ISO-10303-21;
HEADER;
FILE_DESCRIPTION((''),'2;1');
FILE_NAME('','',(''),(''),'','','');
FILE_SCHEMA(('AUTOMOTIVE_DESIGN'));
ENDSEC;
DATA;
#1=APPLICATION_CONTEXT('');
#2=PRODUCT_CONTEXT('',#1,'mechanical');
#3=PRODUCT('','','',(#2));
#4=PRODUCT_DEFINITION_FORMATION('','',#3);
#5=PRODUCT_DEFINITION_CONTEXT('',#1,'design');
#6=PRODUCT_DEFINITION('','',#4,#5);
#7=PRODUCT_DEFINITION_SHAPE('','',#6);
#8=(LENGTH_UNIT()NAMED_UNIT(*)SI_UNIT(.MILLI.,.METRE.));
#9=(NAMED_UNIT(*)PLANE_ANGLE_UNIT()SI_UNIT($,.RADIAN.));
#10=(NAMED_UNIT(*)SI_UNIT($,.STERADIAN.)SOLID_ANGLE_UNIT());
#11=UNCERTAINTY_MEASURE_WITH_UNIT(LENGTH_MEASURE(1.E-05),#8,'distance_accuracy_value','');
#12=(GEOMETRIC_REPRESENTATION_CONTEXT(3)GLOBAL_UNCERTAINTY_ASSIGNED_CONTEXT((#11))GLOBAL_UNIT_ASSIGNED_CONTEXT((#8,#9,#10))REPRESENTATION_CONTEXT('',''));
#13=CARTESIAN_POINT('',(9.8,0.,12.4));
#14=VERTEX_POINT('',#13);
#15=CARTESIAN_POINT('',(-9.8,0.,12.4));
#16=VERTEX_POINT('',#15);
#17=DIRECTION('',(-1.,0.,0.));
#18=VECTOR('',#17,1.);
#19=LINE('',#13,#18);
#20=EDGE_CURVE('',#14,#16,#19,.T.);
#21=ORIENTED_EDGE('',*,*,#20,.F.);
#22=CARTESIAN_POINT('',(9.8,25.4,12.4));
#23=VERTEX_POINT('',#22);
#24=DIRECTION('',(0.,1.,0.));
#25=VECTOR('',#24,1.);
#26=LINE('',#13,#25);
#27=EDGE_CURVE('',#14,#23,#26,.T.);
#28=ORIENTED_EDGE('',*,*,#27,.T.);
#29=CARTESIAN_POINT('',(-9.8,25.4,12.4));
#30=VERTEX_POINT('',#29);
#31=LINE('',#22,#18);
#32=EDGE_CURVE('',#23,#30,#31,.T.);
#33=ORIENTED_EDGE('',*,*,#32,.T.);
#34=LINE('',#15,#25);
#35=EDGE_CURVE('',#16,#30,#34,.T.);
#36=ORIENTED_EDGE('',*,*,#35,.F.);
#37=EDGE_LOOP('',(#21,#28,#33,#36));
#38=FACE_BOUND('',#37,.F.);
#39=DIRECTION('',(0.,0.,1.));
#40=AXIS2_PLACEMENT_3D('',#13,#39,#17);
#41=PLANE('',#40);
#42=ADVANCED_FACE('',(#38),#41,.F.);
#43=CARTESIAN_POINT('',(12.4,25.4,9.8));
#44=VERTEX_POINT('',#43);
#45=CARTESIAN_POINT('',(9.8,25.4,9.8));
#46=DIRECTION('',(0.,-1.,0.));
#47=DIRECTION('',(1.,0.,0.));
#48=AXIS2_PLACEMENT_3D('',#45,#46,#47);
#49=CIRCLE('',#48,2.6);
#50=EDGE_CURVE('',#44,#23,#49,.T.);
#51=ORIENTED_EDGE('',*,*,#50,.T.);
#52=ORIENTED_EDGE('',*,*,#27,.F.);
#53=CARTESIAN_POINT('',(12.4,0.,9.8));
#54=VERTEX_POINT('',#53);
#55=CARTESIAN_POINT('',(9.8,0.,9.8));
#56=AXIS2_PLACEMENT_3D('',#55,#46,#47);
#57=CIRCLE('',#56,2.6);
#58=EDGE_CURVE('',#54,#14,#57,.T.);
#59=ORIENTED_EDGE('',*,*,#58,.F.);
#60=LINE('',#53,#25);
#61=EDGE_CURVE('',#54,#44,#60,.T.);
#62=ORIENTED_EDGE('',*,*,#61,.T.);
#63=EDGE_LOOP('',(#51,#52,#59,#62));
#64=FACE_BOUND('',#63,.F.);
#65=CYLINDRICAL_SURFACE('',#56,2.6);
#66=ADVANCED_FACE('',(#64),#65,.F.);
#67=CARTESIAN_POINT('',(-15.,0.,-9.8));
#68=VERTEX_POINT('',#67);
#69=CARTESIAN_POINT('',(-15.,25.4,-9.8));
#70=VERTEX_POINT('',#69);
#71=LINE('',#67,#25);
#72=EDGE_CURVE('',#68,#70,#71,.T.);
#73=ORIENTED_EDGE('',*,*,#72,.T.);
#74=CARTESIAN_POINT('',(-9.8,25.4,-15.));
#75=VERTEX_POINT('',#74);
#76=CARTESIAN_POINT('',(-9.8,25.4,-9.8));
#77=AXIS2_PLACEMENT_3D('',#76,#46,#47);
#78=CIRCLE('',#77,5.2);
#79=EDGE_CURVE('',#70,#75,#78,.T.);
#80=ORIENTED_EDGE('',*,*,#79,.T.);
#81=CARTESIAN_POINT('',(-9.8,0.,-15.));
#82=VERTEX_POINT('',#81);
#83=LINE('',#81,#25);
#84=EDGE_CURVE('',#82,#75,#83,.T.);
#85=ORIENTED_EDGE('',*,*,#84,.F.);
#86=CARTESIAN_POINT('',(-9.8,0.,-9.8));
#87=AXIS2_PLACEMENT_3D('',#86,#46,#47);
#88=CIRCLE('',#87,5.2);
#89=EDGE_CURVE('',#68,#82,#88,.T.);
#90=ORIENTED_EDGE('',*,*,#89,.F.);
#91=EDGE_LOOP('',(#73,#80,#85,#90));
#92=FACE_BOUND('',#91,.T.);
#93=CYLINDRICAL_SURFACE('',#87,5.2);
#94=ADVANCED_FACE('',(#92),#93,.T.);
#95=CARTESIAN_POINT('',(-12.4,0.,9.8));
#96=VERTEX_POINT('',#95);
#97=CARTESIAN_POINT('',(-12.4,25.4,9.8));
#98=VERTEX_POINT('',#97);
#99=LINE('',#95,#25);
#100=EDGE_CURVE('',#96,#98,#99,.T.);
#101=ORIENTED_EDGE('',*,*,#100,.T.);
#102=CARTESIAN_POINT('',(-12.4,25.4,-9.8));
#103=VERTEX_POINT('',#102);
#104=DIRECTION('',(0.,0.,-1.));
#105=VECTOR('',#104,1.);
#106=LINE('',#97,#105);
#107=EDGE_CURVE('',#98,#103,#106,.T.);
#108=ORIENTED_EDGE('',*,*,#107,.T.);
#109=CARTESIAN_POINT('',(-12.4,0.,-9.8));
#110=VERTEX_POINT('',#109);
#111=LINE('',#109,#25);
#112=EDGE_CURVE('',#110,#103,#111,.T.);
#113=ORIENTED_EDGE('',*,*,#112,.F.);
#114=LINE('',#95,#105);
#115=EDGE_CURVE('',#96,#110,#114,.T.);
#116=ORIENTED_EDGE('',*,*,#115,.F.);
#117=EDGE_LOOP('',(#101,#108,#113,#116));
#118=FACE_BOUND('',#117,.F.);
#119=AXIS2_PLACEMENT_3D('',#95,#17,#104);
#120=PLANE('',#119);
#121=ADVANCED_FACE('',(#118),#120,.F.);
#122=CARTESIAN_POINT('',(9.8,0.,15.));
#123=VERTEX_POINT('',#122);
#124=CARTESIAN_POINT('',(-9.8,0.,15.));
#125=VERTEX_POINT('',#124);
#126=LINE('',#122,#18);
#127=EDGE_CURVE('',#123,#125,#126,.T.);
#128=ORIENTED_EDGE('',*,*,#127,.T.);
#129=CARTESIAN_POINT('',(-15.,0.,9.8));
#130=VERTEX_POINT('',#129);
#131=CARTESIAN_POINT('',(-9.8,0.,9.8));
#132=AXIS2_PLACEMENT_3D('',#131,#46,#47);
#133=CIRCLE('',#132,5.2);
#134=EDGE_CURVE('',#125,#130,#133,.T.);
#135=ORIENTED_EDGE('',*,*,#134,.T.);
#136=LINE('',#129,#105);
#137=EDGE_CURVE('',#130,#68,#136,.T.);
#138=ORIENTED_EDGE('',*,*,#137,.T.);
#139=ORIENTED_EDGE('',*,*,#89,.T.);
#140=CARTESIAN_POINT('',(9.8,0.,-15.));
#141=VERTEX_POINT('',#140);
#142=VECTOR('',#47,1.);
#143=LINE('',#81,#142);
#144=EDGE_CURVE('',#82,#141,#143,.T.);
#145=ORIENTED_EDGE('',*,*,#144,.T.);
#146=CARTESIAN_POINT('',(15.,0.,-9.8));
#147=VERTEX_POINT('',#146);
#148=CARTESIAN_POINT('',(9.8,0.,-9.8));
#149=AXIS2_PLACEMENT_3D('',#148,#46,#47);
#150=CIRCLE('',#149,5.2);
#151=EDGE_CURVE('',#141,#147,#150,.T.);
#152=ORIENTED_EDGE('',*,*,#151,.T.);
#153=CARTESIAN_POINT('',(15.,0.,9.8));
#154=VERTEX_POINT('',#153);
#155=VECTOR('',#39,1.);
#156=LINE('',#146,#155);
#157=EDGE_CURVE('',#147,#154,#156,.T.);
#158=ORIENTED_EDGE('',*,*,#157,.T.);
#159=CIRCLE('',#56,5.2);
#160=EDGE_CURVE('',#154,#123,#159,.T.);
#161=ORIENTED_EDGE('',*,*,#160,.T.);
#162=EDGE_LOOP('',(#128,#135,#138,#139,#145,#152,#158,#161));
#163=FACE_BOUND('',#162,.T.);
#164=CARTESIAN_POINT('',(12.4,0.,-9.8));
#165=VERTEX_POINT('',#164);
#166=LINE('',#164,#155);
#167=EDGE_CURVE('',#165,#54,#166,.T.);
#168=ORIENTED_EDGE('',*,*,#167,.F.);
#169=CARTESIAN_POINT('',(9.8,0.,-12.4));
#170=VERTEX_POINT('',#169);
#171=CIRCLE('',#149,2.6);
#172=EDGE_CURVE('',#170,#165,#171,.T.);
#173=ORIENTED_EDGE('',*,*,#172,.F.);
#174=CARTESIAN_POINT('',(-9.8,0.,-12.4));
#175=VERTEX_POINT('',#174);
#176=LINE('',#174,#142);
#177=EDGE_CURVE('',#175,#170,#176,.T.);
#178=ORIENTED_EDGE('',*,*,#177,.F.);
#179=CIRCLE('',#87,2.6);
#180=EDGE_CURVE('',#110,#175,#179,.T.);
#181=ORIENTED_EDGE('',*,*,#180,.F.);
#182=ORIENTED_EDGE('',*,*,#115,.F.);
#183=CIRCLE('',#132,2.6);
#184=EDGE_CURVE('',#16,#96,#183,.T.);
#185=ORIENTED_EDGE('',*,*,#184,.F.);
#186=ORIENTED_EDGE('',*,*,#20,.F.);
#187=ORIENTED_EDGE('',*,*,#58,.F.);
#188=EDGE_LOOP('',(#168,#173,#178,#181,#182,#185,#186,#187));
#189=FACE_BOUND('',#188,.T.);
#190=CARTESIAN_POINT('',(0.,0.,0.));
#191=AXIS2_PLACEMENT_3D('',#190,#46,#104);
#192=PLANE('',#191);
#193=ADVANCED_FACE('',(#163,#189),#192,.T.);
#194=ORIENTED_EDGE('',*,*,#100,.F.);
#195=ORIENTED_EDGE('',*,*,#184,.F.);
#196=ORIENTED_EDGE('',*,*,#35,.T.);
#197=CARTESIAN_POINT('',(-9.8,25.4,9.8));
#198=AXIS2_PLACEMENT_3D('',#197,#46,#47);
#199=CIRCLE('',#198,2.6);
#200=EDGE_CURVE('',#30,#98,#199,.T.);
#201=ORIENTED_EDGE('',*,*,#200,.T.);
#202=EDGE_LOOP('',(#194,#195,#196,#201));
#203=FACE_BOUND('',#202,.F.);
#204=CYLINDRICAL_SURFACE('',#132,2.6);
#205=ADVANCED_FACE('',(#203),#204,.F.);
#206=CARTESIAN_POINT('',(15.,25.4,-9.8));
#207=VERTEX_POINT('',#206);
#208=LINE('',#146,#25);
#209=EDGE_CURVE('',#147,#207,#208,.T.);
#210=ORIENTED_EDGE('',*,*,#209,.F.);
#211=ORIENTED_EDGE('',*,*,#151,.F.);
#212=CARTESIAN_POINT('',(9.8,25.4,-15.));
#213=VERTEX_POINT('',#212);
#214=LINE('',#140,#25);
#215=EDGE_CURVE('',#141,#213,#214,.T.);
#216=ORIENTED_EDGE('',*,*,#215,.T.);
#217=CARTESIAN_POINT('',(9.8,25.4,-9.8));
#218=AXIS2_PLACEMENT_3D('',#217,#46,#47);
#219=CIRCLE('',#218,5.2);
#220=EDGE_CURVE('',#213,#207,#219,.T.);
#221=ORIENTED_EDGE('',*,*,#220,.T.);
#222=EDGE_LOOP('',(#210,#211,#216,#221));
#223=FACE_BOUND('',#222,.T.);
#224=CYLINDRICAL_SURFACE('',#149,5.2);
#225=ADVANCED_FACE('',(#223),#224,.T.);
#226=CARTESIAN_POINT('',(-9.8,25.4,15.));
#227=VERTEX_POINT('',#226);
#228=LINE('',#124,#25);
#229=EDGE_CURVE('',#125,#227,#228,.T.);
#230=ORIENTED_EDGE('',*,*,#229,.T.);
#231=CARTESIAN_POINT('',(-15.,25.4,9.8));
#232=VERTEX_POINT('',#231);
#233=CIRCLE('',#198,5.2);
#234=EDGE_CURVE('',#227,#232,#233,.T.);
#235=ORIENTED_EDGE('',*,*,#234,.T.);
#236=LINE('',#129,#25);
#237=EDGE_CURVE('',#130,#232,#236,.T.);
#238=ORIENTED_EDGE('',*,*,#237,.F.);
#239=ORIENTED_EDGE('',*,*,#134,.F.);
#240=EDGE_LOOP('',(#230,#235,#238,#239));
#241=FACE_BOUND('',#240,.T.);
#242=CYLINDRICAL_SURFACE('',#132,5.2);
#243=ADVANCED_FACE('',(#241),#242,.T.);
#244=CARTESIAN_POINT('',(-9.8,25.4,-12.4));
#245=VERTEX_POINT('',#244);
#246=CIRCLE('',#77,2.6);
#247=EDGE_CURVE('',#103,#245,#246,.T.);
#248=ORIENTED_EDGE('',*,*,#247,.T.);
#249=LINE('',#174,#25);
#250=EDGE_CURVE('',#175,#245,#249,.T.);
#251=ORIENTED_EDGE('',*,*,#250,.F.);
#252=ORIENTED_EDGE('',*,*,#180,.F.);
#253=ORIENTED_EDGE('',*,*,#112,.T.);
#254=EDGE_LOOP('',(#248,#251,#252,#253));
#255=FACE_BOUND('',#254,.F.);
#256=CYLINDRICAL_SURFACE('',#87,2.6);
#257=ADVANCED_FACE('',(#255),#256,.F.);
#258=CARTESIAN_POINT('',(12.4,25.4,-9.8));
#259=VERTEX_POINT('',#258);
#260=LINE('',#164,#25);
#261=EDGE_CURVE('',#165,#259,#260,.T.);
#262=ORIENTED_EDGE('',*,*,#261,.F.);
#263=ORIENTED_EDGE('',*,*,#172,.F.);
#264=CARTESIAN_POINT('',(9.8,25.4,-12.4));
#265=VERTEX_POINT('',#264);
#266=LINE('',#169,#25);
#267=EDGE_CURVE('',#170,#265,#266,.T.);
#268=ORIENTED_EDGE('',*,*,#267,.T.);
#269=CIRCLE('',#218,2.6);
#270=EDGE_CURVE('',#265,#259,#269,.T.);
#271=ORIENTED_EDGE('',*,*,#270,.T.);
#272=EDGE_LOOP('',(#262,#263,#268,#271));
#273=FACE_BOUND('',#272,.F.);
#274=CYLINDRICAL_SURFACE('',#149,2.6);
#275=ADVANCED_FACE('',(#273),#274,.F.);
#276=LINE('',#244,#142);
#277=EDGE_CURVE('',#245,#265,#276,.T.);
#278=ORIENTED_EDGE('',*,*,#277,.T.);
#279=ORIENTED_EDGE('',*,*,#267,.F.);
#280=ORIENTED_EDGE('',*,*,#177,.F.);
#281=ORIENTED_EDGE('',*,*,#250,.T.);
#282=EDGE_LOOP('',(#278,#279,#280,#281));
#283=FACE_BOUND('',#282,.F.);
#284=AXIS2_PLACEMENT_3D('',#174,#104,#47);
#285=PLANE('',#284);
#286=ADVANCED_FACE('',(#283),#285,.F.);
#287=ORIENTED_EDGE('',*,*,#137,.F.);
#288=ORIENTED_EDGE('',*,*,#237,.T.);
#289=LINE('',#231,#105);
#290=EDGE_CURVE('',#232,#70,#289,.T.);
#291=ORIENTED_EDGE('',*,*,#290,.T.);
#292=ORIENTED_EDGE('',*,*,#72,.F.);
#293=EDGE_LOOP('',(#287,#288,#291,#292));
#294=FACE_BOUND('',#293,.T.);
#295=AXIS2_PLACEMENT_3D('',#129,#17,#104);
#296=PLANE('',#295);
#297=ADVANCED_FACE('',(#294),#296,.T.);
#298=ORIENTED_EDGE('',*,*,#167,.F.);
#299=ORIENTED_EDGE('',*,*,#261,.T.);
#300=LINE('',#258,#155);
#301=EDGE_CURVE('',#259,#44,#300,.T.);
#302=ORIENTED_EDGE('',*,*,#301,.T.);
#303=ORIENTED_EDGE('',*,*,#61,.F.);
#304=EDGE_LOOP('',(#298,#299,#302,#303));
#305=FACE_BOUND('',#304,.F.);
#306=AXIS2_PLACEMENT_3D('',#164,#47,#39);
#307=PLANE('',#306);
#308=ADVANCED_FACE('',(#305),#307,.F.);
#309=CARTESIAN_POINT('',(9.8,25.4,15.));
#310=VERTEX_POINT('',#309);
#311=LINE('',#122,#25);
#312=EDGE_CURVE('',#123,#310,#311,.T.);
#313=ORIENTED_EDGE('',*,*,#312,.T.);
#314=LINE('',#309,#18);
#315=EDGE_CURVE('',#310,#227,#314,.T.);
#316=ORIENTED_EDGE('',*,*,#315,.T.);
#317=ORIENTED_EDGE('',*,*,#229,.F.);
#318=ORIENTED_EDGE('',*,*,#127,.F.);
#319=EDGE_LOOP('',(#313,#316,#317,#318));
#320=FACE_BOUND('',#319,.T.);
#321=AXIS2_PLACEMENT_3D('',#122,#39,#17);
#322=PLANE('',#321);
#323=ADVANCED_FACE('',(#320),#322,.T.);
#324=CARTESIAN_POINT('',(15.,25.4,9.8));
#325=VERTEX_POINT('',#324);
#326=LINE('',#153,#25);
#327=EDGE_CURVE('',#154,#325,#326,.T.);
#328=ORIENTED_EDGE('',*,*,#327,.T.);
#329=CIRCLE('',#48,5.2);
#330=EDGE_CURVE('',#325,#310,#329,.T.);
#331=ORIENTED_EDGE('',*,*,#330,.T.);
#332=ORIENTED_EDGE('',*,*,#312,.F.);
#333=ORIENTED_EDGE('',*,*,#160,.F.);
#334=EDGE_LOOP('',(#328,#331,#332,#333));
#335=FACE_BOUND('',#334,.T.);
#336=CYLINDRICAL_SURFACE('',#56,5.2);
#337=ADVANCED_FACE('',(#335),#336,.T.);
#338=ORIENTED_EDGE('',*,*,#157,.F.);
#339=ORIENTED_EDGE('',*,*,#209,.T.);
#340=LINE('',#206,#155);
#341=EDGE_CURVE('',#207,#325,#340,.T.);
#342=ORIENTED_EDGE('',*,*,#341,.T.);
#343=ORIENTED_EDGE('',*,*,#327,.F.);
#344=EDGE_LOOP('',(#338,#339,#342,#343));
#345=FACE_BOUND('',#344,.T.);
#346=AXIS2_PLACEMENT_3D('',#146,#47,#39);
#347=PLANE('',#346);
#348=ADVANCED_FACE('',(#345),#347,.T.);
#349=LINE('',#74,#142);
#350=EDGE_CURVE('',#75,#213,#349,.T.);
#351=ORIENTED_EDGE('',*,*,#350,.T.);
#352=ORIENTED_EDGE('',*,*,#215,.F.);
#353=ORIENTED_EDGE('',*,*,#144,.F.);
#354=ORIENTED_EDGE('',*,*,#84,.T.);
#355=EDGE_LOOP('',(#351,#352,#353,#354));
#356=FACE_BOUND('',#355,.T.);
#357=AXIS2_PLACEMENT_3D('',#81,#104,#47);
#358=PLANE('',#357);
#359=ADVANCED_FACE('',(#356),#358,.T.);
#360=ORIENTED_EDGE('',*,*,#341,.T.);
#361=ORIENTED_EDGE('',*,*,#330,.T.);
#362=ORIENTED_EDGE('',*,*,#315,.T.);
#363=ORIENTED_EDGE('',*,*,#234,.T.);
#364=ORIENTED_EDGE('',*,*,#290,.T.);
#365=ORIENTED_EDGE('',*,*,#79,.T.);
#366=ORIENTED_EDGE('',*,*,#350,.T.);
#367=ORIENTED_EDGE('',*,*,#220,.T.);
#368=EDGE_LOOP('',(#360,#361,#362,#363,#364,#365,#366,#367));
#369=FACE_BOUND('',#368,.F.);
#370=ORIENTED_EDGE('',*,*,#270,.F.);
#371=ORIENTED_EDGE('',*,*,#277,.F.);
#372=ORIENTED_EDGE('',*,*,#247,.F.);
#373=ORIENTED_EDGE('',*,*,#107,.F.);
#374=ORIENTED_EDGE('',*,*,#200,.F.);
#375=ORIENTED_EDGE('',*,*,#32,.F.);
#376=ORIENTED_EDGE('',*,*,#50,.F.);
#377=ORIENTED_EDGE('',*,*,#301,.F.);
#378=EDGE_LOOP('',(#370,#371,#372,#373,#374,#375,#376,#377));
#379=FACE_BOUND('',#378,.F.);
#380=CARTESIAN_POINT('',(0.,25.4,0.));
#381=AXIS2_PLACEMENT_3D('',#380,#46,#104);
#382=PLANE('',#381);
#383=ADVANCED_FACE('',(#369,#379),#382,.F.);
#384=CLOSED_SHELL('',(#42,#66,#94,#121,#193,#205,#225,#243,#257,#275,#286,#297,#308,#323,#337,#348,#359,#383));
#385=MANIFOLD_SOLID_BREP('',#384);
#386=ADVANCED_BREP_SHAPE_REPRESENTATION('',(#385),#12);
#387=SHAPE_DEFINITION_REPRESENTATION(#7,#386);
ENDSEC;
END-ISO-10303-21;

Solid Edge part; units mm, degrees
sketch "Sketch1" plane through (0, 0, 0) normal (0, -1, 0) x (1, 0, 0)
  line L0 (9.8, 12.4) -> (-9.8, 12.4)
  arc A0 (-9.8, 12.4) -> (-12.4, 9.8) centre (-9.8, 9.8) ccw
  line L1 (-12.4, 9.8) -> (-12.4, -9.8)
  arc A1 (-12.4, -9.8) -> (-9.8, -12.4) centre (-9.8, -9.8) ccw
  line L2 (-9.8, -12.4) -> (9.8, -12.4)
  arc A2 (9.8, -12.4) -> (12.4, -9.8) centre (9.8, -9.8) ccw
  line L3 (12.4, -9.8) -> (12.4, 9.8)
  arc A3 (12.4, 9.8) -> (9.8, 12.4) centre (9.8, 9.8) ccw
  arc A4 (-9.8, 15) -> (-15, 9.8) centre (-9.8, 9.8) ccw
  line L4 (-15, 9.8) -> (-15, -9.8)
  arc A5 (-15, -9.8) -> (-9.8, -15) centre (-9.8, -9.8) ccw
  line L5 (-9.8, -15) -> (9.8, -15)
  arc A6 (9.8, -15) -> (15, -9.8) centre (9.8, -9.8) ccw
  line L6 (15, -9.8) -> (15, 9.8)
  arc A7 (15, 9.8) -> (9.8, 15) centre (9.8, 9.8) ccw
  line L7 (9.8, 15) -> (-9.8, 15)
  dimension "D1" = 2.6
  dimension "D2" = 30
  dimension "D3" = 30
extrude "Protrusion1" add sketch "Sketch1" against normal blind 25.4
